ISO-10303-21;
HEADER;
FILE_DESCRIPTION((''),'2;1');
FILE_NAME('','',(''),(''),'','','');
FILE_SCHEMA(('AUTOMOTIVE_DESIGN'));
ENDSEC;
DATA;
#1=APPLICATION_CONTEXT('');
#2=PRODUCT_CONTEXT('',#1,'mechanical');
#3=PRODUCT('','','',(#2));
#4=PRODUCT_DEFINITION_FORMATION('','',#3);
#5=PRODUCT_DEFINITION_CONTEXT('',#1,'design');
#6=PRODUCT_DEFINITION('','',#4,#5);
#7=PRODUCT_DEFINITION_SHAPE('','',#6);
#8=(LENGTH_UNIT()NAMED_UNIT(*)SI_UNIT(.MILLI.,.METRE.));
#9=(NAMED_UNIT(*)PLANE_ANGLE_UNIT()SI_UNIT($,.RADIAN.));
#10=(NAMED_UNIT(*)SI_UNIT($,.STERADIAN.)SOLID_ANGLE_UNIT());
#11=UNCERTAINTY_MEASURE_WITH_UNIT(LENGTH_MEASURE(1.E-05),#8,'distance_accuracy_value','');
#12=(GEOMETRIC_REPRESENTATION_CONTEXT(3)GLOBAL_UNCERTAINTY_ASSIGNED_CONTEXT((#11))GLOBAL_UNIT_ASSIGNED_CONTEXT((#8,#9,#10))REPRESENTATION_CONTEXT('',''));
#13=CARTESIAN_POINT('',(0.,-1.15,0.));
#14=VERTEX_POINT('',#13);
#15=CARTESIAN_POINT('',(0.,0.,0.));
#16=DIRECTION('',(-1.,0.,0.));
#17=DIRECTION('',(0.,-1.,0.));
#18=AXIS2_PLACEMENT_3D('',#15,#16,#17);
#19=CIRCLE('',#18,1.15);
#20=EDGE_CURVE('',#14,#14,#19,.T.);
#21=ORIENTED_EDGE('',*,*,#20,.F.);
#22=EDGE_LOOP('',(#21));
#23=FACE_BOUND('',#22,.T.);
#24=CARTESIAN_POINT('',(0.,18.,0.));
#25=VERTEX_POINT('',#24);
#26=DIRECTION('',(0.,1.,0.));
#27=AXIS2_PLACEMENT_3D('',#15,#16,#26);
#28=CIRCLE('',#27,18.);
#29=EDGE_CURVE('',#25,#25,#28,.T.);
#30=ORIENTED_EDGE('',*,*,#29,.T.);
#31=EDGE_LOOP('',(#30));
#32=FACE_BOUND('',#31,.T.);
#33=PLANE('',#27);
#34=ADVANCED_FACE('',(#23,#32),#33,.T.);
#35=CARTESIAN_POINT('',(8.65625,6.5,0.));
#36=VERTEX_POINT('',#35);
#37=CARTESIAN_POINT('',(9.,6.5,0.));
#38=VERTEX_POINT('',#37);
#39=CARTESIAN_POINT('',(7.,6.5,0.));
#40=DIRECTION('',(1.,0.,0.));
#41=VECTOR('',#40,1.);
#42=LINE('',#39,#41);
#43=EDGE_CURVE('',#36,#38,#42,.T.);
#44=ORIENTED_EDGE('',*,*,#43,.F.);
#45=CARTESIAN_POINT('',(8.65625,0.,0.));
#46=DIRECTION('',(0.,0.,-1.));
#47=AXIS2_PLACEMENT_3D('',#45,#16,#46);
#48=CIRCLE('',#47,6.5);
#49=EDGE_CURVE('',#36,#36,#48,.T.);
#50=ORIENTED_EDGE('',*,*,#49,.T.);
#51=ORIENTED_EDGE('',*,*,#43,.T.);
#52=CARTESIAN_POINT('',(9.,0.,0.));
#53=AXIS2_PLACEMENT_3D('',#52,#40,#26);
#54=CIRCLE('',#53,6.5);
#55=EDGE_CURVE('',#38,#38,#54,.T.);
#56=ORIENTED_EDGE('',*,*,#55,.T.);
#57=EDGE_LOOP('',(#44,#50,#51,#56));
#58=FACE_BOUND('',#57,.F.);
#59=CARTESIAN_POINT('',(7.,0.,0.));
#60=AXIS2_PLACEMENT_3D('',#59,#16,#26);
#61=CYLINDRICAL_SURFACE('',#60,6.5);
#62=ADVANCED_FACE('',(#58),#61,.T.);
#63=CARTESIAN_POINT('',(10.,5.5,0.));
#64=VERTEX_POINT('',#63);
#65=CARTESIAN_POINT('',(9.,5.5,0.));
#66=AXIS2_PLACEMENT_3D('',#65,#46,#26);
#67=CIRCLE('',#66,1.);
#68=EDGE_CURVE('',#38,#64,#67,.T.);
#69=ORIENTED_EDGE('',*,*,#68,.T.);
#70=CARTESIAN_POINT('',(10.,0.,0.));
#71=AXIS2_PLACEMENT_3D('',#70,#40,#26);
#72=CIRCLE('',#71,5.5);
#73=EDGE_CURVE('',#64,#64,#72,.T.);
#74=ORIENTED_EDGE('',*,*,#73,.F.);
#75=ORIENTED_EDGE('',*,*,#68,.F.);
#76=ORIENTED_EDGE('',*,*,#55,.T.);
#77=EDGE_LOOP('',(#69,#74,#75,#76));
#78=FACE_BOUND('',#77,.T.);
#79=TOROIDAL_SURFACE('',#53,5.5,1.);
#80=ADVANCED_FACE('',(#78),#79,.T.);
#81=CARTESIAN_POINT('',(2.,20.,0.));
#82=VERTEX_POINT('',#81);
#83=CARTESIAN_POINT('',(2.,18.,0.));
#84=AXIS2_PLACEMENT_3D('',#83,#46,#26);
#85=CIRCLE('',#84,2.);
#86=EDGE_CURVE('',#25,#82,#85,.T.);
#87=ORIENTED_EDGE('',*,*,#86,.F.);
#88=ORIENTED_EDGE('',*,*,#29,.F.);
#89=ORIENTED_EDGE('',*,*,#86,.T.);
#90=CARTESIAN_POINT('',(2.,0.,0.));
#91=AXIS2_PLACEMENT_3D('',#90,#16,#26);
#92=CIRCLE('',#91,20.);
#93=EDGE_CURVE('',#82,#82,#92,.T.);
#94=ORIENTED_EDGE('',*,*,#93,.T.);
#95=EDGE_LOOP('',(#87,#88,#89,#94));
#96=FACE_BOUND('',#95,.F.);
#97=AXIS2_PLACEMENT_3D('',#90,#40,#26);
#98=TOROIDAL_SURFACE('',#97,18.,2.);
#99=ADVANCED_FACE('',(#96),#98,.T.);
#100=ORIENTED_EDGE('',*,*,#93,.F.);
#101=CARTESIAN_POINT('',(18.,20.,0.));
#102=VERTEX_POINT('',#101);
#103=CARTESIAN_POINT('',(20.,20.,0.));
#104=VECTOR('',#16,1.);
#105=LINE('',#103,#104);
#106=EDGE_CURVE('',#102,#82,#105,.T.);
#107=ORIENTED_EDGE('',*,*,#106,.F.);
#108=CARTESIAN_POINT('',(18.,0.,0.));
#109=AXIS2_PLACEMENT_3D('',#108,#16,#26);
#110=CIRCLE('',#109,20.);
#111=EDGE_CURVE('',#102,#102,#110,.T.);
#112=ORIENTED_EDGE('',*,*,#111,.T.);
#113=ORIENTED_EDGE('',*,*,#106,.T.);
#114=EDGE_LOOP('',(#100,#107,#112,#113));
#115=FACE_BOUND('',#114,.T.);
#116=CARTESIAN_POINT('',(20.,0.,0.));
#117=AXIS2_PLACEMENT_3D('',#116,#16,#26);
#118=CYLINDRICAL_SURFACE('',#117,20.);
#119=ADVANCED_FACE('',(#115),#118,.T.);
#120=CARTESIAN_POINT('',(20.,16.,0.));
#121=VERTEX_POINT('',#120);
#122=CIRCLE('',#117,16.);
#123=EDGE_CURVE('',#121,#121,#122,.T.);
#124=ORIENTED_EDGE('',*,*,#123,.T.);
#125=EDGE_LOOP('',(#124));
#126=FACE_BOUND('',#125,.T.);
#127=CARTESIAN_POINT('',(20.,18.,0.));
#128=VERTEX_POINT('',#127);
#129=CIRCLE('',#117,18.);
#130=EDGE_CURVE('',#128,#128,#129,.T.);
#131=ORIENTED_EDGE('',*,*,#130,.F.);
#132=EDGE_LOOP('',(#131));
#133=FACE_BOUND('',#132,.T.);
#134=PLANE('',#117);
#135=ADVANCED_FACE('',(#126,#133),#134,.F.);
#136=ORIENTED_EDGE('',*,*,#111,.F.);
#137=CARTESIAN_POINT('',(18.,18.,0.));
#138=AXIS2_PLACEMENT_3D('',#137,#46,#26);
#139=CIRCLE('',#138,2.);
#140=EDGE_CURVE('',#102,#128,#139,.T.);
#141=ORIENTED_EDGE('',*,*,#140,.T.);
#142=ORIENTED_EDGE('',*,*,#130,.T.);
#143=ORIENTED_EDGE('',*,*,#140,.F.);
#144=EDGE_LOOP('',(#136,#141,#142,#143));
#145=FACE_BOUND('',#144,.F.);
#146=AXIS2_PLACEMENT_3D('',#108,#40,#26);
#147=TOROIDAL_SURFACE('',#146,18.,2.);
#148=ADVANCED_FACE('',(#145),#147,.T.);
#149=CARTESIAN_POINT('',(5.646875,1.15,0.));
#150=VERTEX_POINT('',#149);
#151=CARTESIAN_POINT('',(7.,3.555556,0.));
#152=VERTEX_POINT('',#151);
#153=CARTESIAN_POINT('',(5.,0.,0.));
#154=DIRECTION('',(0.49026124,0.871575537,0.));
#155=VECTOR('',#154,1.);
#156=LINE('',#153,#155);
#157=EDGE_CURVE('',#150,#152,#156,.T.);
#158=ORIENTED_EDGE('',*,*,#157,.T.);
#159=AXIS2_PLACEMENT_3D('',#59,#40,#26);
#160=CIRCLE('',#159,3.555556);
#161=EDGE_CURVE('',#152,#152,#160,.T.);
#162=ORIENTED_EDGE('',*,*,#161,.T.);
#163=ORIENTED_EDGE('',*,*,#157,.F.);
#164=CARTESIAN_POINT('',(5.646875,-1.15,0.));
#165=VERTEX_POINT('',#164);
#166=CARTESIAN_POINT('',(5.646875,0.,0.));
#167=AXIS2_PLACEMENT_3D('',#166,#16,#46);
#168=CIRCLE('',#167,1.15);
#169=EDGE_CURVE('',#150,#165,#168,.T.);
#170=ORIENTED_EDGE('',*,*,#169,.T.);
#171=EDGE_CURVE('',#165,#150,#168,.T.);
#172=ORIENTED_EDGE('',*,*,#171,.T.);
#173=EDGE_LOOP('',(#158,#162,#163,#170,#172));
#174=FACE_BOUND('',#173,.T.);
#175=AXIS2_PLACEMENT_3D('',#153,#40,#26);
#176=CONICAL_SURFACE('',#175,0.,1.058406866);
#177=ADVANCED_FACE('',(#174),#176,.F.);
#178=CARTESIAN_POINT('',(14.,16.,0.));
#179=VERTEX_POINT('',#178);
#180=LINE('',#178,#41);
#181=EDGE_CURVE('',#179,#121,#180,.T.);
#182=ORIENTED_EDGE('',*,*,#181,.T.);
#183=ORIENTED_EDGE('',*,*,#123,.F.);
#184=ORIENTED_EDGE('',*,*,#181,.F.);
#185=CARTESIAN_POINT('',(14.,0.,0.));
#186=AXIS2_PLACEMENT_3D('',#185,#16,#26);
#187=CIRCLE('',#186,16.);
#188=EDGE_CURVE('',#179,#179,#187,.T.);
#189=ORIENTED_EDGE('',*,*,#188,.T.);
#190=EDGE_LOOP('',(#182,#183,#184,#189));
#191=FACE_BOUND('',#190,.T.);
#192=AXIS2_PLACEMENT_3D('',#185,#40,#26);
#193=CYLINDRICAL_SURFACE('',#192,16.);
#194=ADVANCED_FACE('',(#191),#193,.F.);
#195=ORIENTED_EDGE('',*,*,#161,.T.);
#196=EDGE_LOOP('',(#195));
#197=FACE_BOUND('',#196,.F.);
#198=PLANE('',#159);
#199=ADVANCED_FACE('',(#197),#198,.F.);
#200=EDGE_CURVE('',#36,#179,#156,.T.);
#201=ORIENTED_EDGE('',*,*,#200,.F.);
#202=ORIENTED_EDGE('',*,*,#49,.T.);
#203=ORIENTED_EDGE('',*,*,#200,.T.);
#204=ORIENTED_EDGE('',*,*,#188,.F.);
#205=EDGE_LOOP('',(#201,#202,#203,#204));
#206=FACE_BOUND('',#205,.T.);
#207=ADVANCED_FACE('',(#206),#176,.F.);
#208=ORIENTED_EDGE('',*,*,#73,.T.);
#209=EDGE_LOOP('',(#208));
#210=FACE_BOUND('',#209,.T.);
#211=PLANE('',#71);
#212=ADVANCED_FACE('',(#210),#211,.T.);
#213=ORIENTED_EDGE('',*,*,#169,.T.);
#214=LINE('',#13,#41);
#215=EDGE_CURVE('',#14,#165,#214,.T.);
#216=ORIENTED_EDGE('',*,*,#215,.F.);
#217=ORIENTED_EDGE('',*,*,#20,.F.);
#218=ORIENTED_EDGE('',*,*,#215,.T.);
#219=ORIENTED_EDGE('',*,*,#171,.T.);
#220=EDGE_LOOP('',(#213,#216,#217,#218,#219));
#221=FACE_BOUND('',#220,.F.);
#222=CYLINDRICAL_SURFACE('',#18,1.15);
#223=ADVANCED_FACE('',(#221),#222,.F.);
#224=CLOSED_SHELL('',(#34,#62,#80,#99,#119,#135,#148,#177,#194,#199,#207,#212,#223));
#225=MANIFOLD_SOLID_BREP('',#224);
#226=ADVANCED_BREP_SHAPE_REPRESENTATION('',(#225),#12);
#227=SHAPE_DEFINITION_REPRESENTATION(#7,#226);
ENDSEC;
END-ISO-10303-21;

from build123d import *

# Parameters (mm, degrees)
F2_R     = 1.15
F3_DEPTH = 25
F4_R     = 2
F7_R     = 6.5
F7_R_2   = 1.15
F8_DEPTH = 3
F9_R     = 1


with BuildPart() as f1:
    # F0 (on Top) → F1 (revolve)
    with BuildSketch(Plane.XY):
        Polygon((0, 20), (0, 0), (5, 0), (14, 16), (20, 16), (20, 20), align=None)
    revolve(axis=Axis((2.5, 0, 0), (-1, 0, 0)))

    # F2 (on face) → F3 (cut)
    with BuildSketch(Plane(origin=(0, 0, 0), x_dir=(0, -1, 0), z_dir=(-1, 0, 0))):
        Circle(F2_R)
    extrude(amount=-F3_DEPTH, mode=Mode.SUBTRACT)

    # F4
    f4_edges = [f1.edges().sort_by_distance(p)[0] for p in [
        (20, -20, 0),
        (0, -20, 0),
    ]]
    fillet(f4_edges, radius=F4_R)

    # F7 (on offset) → F8 (join)
    with BuildSketch(Plane.YZ.offset(7)):
        Circle(F7_R)
        Circle(F7_R_2, mode=Mode.SUBTRACT)
        Circle(F7_R_2)
    extrude(amount=F8_DEPTH)

    # F9
    f9_edges = [f1.edges().sort_by_distance(p)[0] for p in [
        (10, -6.5, 0),
    ]]
    fillet(f9_edges, radius=F9_R)


solid = f1.part
